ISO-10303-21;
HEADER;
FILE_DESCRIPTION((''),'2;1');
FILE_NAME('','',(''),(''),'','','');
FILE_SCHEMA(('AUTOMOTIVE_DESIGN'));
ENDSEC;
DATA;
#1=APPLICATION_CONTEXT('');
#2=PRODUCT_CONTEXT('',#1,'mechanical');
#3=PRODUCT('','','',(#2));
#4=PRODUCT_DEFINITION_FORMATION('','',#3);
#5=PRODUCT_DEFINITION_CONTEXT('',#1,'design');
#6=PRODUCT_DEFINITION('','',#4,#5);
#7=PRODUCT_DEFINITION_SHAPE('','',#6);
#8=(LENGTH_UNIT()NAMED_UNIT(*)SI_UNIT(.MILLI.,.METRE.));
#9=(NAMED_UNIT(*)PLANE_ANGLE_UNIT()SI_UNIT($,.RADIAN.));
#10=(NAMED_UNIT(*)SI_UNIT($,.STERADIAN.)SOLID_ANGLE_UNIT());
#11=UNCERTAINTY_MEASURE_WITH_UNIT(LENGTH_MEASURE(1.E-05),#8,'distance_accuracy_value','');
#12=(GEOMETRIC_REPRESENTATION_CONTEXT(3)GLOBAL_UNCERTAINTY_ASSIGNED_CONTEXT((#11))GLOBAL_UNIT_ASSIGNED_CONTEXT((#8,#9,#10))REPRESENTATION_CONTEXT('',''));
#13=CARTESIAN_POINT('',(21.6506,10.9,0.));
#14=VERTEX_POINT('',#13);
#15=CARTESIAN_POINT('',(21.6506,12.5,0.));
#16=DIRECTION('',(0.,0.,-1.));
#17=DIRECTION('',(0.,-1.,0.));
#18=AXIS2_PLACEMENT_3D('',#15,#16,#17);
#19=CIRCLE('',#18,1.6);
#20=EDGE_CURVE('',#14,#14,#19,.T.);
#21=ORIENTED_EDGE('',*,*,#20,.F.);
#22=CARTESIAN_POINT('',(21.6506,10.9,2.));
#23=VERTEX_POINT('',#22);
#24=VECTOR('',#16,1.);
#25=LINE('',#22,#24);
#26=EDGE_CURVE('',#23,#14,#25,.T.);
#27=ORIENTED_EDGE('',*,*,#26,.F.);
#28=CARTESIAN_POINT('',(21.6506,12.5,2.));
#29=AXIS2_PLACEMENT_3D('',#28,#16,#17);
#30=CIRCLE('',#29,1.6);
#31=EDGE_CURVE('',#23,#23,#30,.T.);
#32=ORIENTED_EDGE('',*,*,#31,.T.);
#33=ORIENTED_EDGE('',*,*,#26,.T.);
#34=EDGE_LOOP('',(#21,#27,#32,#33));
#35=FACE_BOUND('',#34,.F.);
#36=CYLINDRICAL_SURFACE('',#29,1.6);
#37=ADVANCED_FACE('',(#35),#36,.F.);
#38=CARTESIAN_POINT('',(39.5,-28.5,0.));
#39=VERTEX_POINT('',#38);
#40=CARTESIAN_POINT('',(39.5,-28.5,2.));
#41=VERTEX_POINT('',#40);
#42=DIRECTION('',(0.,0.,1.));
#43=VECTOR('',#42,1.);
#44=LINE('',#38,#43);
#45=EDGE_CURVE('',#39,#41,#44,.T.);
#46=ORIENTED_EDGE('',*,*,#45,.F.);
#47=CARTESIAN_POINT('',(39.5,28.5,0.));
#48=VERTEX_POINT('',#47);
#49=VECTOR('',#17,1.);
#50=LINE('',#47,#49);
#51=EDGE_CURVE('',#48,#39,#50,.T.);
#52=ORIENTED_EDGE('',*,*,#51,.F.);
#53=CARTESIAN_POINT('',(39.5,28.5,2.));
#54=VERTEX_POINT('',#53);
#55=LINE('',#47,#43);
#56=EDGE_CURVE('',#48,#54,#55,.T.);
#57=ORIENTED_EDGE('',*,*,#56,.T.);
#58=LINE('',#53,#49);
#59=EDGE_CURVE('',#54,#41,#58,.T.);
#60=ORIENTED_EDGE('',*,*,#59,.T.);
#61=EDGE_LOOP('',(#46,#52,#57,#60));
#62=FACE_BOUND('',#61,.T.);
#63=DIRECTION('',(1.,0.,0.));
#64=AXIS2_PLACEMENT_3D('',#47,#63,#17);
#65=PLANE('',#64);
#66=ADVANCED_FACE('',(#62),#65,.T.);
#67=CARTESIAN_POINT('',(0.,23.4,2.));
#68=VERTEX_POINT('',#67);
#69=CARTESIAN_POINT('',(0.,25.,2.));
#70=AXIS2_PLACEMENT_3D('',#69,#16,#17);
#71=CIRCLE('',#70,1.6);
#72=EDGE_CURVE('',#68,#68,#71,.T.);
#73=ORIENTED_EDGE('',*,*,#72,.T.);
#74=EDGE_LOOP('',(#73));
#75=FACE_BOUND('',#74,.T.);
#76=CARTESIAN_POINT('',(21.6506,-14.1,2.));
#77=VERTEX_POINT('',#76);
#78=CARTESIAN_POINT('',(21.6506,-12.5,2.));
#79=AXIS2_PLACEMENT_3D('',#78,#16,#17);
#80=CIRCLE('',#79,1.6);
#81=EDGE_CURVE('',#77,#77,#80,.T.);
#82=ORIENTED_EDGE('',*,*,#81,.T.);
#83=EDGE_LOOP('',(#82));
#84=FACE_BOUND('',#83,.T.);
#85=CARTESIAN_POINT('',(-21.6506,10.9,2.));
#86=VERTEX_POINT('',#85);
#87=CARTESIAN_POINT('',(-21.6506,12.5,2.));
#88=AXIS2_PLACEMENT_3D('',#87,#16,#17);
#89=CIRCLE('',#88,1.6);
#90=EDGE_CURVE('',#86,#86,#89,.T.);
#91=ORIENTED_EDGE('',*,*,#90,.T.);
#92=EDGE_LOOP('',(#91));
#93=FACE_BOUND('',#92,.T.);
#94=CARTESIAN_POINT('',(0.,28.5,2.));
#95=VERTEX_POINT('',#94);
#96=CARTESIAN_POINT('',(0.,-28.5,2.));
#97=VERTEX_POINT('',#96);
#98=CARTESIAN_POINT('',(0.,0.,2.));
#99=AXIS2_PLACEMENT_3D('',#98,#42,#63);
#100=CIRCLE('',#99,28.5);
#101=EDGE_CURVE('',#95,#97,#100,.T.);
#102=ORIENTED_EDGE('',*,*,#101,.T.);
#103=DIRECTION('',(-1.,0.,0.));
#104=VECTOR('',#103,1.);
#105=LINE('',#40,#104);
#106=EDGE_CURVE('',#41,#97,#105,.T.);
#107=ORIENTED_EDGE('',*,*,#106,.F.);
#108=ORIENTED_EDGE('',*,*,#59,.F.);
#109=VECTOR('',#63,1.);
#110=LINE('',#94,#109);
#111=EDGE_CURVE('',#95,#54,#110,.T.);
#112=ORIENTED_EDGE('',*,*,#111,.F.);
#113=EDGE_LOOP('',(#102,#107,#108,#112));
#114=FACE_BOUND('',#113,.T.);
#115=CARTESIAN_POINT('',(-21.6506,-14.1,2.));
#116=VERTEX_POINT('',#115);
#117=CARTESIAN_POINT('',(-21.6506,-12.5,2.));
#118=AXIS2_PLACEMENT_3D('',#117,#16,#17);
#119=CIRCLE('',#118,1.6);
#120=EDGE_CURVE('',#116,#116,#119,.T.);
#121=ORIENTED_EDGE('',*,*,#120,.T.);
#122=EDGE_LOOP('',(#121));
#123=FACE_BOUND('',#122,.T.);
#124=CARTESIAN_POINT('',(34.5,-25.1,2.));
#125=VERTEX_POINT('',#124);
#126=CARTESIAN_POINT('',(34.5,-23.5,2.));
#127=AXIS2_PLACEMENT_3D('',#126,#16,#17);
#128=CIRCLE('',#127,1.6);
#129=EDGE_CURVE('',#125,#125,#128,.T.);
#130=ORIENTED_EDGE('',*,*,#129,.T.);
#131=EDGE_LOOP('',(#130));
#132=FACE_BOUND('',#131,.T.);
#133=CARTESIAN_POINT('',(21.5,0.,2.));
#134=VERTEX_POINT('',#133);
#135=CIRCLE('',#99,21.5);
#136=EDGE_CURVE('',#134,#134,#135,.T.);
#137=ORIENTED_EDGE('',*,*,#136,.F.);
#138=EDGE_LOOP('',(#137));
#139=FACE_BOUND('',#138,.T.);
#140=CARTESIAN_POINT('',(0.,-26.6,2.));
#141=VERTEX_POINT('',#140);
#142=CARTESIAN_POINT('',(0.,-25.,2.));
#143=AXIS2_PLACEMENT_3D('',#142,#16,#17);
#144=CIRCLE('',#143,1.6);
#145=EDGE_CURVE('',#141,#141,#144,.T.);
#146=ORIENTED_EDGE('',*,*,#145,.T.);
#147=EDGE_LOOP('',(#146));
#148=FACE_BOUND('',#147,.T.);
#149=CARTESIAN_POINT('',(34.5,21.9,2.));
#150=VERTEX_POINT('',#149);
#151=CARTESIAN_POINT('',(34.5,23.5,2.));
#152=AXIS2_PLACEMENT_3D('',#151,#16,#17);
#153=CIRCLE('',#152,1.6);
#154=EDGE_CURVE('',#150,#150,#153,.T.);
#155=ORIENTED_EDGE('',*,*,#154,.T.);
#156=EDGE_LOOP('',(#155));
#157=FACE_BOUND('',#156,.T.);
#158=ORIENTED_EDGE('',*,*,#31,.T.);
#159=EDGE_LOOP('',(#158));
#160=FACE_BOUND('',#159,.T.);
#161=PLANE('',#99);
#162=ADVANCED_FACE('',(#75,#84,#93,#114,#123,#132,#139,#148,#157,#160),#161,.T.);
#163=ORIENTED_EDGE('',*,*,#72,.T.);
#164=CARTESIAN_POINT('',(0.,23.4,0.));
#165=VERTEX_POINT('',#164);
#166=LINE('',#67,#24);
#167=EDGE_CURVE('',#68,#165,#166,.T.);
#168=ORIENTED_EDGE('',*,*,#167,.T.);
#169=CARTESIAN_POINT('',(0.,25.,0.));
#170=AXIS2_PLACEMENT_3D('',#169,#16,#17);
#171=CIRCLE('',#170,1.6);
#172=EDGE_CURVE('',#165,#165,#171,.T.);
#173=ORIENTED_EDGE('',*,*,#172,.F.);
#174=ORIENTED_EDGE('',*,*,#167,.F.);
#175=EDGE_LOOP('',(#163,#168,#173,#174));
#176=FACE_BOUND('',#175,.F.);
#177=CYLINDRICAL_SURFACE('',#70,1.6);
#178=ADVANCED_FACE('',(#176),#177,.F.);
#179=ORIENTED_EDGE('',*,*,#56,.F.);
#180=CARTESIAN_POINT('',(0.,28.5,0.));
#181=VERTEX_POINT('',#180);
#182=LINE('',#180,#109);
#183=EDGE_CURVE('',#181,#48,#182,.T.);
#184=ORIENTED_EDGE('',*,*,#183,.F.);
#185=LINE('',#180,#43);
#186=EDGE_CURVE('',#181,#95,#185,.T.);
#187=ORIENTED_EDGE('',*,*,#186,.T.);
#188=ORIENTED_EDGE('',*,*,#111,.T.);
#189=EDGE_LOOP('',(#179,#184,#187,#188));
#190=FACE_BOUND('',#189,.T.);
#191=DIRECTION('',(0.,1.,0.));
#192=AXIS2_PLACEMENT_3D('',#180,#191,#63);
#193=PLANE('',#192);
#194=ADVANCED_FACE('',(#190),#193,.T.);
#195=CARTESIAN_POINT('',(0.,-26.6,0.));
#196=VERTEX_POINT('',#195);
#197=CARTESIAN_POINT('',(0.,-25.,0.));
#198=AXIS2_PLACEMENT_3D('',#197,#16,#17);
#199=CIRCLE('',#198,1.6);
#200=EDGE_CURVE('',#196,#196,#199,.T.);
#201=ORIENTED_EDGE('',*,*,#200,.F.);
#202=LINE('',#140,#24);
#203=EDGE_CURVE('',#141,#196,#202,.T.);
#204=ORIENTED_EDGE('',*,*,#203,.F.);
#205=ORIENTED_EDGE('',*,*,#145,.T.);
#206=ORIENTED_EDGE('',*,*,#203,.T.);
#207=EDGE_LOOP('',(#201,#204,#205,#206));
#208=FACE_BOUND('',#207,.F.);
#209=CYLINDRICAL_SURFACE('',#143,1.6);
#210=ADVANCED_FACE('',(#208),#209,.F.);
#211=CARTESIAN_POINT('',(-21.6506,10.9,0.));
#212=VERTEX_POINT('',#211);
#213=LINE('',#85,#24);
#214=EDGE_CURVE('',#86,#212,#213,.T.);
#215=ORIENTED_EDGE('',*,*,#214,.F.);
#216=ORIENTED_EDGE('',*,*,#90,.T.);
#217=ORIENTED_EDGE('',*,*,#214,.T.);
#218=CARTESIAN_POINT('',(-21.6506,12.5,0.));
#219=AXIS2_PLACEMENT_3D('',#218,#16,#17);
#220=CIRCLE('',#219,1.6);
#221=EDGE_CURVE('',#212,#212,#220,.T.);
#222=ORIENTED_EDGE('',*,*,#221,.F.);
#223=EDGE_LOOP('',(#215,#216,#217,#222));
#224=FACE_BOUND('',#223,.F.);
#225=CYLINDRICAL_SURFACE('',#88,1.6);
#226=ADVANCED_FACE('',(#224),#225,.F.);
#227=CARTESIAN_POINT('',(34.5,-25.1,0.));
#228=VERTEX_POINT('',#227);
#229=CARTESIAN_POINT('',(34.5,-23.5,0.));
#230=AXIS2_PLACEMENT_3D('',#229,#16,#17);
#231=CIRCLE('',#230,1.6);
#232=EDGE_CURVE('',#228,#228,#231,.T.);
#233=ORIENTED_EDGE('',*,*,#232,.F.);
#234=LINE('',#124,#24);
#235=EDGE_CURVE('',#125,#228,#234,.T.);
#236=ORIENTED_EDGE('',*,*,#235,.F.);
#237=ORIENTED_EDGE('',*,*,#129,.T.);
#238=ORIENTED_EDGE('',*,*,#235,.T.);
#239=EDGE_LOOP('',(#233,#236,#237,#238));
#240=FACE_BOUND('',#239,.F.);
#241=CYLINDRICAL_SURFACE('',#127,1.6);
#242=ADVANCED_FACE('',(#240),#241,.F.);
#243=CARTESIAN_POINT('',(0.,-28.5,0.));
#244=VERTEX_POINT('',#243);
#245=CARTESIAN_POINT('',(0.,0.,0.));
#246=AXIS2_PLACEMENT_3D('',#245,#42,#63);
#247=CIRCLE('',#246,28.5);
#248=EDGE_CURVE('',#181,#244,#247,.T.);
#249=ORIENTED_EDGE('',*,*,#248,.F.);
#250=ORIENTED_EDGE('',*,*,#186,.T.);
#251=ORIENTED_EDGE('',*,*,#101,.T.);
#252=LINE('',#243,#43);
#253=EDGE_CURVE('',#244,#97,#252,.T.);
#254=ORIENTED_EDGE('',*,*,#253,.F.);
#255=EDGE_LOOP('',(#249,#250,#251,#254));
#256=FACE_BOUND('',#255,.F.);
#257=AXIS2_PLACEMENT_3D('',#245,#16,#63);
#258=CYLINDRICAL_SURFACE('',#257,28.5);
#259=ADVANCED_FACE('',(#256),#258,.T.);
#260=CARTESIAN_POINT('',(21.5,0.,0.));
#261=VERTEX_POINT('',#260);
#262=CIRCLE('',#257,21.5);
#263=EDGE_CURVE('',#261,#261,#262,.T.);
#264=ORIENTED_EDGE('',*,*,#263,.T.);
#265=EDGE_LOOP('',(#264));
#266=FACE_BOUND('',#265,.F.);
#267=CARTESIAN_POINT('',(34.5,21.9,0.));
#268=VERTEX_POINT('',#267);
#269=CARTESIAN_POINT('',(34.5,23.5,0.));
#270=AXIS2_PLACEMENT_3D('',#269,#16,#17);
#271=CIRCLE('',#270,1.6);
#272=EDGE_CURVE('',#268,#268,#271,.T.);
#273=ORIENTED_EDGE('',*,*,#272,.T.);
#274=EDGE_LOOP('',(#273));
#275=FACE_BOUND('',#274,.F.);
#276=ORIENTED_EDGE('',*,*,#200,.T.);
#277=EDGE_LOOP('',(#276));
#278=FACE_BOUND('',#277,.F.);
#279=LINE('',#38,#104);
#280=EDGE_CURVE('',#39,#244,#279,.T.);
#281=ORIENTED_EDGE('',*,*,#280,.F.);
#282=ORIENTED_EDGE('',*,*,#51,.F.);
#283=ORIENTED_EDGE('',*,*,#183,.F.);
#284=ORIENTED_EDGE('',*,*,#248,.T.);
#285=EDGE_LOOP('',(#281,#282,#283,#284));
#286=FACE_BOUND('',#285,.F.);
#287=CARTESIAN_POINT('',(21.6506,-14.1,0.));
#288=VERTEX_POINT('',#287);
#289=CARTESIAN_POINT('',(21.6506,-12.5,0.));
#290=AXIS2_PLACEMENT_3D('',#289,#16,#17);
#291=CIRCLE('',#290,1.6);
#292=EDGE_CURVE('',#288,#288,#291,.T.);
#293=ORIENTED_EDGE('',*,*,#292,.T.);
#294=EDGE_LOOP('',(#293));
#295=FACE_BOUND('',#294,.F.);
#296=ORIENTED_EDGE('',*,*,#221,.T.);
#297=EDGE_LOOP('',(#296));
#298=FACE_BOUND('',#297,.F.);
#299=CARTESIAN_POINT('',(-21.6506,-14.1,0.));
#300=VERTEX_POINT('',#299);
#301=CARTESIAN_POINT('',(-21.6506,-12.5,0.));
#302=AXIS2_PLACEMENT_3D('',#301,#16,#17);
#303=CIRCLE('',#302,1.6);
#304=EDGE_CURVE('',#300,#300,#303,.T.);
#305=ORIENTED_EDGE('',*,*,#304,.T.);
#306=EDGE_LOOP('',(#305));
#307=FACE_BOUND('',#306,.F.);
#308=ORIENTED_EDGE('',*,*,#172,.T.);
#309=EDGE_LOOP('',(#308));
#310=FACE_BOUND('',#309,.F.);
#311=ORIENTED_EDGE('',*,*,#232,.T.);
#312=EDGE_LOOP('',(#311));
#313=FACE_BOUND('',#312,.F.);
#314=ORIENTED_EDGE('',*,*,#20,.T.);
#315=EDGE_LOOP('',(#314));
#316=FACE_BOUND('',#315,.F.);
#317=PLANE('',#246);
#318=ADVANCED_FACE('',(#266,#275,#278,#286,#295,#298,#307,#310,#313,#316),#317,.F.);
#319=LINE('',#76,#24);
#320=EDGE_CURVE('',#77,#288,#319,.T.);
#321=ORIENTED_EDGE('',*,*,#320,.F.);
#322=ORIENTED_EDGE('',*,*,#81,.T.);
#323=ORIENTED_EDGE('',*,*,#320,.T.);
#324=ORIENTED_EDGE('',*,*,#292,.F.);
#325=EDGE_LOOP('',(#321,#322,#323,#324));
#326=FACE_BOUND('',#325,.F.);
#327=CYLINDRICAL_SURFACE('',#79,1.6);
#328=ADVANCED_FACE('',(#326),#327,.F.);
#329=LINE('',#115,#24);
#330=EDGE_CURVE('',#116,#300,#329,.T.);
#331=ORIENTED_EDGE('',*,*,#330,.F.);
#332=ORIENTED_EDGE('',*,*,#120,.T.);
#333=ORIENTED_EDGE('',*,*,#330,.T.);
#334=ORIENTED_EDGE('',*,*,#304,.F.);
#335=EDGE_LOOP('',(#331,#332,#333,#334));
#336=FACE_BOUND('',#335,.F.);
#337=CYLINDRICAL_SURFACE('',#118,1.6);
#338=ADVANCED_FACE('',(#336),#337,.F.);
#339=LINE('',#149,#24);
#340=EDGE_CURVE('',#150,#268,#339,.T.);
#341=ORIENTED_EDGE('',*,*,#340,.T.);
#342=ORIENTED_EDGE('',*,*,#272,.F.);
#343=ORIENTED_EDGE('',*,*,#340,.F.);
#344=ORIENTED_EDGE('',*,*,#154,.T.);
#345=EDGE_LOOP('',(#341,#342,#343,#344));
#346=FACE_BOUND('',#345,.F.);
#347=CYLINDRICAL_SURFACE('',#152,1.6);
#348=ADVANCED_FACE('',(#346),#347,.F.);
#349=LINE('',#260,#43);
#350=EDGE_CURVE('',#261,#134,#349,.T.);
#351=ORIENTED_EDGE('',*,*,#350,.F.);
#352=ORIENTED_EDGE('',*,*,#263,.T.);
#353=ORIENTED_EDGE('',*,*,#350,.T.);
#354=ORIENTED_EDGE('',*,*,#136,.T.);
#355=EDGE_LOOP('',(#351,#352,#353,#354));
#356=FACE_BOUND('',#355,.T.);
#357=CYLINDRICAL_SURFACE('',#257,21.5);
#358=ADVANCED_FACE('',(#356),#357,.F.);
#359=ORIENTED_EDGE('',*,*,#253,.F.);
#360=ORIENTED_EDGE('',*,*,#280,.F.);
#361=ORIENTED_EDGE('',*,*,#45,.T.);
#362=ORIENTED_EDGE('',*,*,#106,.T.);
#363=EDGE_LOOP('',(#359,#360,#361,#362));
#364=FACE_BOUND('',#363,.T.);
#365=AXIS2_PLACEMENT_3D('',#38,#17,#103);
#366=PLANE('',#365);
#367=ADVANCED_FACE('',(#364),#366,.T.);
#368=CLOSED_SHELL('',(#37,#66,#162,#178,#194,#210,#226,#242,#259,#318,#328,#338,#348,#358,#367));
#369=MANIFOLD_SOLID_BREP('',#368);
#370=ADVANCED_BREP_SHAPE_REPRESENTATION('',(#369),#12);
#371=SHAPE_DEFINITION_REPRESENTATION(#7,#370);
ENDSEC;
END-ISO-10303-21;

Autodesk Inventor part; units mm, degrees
ref_plane "YZ Plane" through (0, 0, 0) normal (1, 0, 0) x (0, 1, 0)
ref_plane "XZ Plane" through (0, 0, 0) normal (0, 1, 0) x (-1, 0, 0)
ref_plane "XY Plane" through (0, 0, 0) normal (0, 0, 1) x (1, 0, 0)
sketch "スケッチ1" plane through (0, 0, 0) normal (0, 0, 1) x (1, 0, 0)
  circle A0 centre (0, 0) radius 28.5
  line L0 (0, 28.5) -> (39.5, 28.5)
  line L1 (39.5, 28.5) -> (39.5, -28.5)
  line L2 (39.5, -28.5) -> (0, -28.5)
  line L3 (0, -28.5) -> (0, 28.5)
  circle A1 centre (0, 0) radius 21.5
  point P0 (28.5, 0)
  point P1 (0, -21.5)
  point P2 (0, 21.5)
  dimension "d0" = 57
  dimension "d23" = 43
  dimension "d24" = 39.5
extrude "押し出し1" add sketch "スケッチ1" along normal blind 2 contours A0 L3 A1 | A0 L0 L1 L2 | L3 A1 A0
sketch "スケッチ3" plane through (0, 0, 2) normal (0, 0, 1) x (1, 0, 0)
  circle A0 centre (0, 0) radius 25
  line L0 (39.5, 28.5) -> (0, 28.5) projected
  line L1 (34.5, 28.5) -> (34.5, -28.5)
  line L2 (0, -28.5) -> (39.5, -28.5) projected
  line L3 (39.5, -28.5) -> (39.5, 28.5) projected
  line L4 (0, 0) -> (21.6506, -12.5)
  line L5 (0, 0) -> (25, 0) construction
  point P0 (34.5, 23.5)
  point P1 (34.5, -23.5)
  point P2 (21.6506, 12.5)
  point P3 (0, 25)
  point P4 (-21.6506, 12.5)
  point P5 (-21.6506, -12.5)
  point P6 (0, -25)
  dimension "d25" = 50
  dimension "d26" = 5
  dimension "d27" = 5
  dimension "d28" = 5
  dimension "d29" = 30
  dimension "d32" = 360
hole "穴2" at (34.5, 23.5, 2) at (34.5, -23.5, 2) at (21.6506, -12.5, 2) at (21.6506, 12.5, 2) at (0, 25, 2) at (-21.6506, 12.5, 2) at (-21.6506, -12.5, 2) at (0, -25, 2) direction (0, 0, -1) diameter 3.2 end through all
properties part number "link4_plate3" material "アルミニウム 6061"
